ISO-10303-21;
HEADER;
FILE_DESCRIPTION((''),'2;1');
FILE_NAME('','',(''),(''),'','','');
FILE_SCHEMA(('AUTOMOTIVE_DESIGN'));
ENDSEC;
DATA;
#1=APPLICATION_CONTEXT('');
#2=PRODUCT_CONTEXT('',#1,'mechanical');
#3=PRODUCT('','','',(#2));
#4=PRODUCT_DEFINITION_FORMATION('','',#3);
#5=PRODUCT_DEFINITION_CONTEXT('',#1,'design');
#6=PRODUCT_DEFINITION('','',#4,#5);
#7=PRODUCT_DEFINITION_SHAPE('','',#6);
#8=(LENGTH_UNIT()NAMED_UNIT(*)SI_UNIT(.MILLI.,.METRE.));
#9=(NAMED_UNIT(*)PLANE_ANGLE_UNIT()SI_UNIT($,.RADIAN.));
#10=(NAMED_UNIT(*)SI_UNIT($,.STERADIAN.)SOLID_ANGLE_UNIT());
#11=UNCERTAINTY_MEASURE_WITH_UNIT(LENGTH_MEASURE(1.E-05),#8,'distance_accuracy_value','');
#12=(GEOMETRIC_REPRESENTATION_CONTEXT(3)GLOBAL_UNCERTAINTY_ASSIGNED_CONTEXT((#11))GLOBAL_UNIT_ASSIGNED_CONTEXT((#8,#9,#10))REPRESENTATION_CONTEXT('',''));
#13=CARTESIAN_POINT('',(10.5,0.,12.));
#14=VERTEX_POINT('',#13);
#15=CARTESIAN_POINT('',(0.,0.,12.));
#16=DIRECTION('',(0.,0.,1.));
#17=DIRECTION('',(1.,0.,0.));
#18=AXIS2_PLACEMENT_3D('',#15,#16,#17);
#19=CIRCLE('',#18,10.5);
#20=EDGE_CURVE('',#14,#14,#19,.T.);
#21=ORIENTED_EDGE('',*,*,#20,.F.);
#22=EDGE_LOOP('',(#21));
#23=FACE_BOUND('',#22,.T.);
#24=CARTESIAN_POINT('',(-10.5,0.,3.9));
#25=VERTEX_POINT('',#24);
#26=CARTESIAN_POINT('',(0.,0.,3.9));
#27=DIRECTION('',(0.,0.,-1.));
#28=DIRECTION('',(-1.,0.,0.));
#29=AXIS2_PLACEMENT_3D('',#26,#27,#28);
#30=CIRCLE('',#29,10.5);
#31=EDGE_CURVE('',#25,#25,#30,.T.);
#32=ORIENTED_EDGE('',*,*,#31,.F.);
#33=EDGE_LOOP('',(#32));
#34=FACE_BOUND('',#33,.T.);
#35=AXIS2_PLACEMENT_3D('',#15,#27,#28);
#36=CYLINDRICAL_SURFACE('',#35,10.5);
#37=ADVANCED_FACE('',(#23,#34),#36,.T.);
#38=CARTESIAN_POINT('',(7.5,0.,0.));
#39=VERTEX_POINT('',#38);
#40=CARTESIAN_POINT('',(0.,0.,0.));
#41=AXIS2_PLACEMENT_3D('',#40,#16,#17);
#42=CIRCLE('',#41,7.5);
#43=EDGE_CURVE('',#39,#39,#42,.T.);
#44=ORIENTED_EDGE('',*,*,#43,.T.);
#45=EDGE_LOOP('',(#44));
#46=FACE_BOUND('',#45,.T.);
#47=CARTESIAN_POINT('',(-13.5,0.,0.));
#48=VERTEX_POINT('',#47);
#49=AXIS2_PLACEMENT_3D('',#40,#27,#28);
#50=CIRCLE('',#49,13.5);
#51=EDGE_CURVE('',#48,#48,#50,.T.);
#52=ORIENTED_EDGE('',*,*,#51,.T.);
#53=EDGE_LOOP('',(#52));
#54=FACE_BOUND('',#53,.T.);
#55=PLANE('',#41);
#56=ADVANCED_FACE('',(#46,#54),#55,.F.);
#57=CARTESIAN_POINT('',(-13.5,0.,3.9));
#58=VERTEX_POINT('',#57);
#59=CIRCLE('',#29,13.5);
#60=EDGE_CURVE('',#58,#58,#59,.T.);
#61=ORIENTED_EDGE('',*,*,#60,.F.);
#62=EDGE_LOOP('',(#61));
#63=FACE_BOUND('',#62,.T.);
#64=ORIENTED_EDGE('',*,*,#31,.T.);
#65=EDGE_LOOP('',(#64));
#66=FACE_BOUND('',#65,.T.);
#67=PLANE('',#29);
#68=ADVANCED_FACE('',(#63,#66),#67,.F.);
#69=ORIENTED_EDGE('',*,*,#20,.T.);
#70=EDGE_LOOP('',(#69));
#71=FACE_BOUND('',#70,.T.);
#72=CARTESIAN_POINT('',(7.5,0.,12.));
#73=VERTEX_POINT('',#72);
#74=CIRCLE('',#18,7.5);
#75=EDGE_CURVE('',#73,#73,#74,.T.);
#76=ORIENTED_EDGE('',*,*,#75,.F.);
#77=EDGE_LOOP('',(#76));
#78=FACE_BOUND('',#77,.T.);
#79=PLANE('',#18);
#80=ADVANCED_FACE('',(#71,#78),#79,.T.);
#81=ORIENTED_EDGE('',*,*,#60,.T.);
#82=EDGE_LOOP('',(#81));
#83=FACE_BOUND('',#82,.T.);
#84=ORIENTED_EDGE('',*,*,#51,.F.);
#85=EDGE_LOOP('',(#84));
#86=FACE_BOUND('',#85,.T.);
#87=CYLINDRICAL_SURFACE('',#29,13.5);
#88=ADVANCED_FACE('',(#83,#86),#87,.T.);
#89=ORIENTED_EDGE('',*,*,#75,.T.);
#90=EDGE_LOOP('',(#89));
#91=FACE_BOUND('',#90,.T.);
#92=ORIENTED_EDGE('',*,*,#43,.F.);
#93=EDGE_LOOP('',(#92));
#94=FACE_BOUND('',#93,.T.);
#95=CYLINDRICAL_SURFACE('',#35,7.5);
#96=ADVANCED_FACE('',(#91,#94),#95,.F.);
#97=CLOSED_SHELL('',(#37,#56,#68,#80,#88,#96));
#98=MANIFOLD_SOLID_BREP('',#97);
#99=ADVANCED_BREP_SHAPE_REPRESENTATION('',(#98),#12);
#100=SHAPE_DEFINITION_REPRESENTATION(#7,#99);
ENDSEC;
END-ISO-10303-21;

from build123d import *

# Parameters (mm, degrees)
SKETCH_1_R      = 10.5
SKETCH_1_R_2    = 7.5
EXTRUDE_1_DEPTH = 12
SKETCH_2_R      = 13.5
SKETCH_2_R_2    = 10.5
EXTRUDE_2_DEPTH = 3.9


with BuildPart() as part:
    # 草图1 → 拉伸-薄壁1 (new body)
    with BuildSketch(Plane.XY):
        Circle(SKETCH_1_R)
        Circle(SKETCH_1_R_2, mode=Mode.SUBTRACT)
    extrude(amount=EXTRUDE_1_DEPTH)

    # 草图2 → 拉伸-薄壁2 (add)
    with BuildSketch(Plane(origin=(0, 0, 0), x_dir=(-1, 0, 0), z_dir=(0, 0, -1))):
        Circle(SKETCH_2_R)
        Circle(SKETCH_2_R_2, mode=Mode.SUBTRACT)
    extrude(amount=-EXTRUDE_2_DEPTH)


solid = part.part
